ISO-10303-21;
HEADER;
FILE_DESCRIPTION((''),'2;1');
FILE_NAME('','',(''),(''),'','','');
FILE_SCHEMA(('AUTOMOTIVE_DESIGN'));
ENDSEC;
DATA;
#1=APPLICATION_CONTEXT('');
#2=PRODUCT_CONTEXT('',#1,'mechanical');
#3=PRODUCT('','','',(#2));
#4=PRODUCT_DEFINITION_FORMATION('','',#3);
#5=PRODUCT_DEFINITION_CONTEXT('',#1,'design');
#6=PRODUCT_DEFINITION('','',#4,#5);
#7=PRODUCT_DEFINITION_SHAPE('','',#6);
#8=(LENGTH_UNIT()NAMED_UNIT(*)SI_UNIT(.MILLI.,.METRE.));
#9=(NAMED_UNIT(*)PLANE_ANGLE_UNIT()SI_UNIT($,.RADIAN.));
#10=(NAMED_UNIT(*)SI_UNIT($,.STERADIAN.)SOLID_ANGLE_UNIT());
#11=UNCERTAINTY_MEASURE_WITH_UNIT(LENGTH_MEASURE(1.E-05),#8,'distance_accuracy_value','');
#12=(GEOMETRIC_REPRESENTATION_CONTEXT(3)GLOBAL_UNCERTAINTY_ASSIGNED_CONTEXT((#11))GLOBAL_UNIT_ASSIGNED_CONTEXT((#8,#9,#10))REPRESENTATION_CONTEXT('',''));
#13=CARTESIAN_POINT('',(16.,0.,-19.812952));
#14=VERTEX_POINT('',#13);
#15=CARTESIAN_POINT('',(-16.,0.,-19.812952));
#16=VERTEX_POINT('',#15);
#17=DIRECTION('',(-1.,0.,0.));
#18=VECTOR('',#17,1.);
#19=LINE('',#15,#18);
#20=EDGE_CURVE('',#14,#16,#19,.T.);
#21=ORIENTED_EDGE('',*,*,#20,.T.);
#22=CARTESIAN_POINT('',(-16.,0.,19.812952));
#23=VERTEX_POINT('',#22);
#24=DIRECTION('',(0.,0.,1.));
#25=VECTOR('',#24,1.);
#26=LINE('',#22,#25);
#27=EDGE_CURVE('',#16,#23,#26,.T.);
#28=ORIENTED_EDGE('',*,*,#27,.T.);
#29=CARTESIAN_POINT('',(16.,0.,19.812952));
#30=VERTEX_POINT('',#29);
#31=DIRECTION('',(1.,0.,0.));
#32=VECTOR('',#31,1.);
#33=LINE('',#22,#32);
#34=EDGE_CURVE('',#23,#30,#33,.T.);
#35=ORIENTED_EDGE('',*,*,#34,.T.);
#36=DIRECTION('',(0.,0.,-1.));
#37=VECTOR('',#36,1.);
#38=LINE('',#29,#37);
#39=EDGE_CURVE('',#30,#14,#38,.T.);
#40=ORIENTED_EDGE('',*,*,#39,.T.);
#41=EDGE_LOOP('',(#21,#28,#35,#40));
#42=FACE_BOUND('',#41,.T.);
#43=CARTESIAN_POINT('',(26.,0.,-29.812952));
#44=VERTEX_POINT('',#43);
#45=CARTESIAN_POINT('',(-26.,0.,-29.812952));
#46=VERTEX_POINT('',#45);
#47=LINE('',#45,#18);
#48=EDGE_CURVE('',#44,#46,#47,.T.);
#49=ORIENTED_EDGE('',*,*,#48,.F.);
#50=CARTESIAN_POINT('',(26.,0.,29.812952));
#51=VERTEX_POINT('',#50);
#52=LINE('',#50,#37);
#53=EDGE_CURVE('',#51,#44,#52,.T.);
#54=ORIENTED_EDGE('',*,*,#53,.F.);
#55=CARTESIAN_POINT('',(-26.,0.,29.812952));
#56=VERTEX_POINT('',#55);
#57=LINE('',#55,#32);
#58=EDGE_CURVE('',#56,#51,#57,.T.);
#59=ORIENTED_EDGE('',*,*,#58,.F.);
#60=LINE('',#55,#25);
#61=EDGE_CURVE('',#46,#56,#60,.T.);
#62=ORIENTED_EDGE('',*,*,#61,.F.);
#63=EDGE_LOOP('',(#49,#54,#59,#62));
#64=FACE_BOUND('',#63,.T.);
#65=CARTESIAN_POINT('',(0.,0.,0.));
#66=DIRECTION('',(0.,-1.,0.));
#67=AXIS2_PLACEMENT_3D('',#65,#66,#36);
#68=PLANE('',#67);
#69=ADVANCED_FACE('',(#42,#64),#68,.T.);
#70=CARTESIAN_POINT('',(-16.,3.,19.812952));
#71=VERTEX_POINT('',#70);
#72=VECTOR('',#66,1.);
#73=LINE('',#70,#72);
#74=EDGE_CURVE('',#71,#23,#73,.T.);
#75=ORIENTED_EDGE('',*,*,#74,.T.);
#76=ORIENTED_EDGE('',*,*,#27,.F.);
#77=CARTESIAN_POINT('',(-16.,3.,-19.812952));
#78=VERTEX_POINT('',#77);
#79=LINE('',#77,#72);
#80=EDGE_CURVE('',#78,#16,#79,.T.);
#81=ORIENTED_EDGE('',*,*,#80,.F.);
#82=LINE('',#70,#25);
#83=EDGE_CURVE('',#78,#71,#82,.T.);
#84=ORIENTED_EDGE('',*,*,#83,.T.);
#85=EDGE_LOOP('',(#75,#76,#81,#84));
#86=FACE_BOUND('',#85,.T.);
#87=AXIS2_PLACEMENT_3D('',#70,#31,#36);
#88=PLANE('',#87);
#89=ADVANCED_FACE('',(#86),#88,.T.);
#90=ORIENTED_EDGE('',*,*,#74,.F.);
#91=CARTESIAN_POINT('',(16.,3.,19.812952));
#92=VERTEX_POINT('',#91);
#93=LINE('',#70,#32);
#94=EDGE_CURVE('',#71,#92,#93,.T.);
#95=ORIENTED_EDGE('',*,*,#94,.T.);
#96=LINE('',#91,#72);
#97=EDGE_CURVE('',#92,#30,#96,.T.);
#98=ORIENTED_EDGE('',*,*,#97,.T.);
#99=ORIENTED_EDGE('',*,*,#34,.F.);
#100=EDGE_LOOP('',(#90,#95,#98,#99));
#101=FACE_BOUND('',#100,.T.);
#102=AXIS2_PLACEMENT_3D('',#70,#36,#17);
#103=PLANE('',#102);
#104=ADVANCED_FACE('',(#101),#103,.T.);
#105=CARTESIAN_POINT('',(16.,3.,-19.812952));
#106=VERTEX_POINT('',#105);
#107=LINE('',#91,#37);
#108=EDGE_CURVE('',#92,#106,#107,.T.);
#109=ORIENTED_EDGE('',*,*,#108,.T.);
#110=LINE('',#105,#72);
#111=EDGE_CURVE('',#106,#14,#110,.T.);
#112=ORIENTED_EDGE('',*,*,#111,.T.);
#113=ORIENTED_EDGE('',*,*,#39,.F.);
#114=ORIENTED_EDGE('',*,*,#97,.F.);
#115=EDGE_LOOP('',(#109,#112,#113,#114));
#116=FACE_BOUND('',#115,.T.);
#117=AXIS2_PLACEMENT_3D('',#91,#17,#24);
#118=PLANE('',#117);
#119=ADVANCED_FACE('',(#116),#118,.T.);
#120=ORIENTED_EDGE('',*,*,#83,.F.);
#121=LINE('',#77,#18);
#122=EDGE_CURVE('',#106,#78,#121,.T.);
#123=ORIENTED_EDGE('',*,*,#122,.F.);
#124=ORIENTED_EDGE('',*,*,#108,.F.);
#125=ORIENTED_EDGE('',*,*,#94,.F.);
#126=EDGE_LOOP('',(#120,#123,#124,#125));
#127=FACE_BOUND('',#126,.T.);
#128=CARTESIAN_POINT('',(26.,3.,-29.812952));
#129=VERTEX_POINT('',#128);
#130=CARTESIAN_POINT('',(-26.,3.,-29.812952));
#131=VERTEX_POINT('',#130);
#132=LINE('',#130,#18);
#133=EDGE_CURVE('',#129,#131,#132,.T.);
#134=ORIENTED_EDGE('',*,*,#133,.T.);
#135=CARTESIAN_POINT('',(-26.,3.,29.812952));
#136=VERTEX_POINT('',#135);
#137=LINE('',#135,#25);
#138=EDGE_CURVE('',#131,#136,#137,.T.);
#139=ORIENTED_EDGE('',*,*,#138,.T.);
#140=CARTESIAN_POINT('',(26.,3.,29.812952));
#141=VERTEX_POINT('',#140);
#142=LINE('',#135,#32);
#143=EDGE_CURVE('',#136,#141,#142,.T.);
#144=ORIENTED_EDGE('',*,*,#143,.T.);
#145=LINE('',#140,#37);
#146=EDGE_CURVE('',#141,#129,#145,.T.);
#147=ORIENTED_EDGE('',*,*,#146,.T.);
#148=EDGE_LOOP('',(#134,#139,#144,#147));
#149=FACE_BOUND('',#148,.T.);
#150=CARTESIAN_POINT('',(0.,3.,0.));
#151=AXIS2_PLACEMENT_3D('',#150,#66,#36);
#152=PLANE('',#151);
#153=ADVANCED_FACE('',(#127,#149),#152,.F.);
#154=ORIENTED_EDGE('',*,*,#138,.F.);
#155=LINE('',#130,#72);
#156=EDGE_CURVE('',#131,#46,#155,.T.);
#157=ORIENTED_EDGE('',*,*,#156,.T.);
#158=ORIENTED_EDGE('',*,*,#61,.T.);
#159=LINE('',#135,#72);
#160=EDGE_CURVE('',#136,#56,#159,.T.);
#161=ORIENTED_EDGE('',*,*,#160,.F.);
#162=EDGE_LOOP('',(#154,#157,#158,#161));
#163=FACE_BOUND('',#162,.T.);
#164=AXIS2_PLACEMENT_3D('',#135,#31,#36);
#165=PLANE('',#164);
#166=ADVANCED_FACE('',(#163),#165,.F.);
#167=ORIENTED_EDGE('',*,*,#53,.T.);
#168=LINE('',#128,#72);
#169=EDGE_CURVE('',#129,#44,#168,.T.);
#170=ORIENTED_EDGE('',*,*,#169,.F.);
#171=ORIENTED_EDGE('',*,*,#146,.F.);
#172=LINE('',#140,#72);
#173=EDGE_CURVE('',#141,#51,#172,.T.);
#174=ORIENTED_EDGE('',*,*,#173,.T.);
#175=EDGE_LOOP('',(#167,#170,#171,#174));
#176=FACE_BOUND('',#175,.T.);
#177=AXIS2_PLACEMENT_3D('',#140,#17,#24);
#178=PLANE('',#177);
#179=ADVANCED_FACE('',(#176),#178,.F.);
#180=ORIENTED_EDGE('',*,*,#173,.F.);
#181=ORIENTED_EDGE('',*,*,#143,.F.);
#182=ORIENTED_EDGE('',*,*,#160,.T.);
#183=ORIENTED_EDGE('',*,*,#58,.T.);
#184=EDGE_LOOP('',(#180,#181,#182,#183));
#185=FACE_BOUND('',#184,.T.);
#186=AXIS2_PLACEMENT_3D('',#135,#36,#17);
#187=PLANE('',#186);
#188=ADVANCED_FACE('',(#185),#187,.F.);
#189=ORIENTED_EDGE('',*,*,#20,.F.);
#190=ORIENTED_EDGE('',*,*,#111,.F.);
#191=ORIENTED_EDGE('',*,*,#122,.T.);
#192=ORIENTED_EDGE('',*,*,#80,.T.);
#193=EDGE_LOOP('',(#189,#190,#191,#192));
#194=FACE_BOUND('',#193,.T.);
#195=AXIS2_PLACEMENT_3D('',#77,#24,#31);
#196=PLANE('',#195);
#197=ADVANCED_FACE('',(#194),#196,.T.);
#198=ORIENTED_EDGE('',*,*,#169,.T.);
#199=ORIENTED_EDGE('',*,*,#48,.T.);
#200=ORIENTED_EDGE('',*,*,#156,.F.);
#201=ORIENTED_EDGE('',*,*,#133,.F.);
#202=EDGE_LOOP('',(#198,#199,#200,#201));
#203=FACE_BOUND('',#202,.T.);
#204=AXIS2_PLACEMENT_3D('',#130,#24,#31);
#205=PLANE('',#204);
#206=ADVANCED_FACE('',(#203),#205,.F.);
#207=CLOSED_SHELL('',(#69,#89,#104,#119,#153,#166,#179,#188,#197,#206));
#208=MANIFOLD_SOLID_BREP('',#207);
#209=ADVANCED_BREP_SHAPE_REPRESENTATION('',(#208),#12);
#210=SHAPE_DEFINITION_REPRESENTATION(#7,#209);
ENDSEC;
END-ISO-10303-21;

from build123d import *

# Parameters (mm, degrees)
SKETCH1_W           = 52
SKETCH1_H           = 59.625903178
SKETCH1_W_2         = 32
SKETCH1_H_2         = 39.625903178
BOSS_EXTRUDE1_DEPTH = 3


with BuildPart() as part:
    # Sketch1 → Boss-Extrude1 (new body)
    with BuildSketch(Plane(origin=(0, 0, 0), x_dir=(1, 0, 0), z_dir=(0, 1, 0))):
        Rectangle(SKETCH1_W, SKETCH1_H)
        Rectangle(SKETCH1_W_2, SKETCH1_H_2, mode=Mode.SUBTRACT)
    extrude(amount=BOSS_EXTRUDE1_DEPTH)


solid = part.part
